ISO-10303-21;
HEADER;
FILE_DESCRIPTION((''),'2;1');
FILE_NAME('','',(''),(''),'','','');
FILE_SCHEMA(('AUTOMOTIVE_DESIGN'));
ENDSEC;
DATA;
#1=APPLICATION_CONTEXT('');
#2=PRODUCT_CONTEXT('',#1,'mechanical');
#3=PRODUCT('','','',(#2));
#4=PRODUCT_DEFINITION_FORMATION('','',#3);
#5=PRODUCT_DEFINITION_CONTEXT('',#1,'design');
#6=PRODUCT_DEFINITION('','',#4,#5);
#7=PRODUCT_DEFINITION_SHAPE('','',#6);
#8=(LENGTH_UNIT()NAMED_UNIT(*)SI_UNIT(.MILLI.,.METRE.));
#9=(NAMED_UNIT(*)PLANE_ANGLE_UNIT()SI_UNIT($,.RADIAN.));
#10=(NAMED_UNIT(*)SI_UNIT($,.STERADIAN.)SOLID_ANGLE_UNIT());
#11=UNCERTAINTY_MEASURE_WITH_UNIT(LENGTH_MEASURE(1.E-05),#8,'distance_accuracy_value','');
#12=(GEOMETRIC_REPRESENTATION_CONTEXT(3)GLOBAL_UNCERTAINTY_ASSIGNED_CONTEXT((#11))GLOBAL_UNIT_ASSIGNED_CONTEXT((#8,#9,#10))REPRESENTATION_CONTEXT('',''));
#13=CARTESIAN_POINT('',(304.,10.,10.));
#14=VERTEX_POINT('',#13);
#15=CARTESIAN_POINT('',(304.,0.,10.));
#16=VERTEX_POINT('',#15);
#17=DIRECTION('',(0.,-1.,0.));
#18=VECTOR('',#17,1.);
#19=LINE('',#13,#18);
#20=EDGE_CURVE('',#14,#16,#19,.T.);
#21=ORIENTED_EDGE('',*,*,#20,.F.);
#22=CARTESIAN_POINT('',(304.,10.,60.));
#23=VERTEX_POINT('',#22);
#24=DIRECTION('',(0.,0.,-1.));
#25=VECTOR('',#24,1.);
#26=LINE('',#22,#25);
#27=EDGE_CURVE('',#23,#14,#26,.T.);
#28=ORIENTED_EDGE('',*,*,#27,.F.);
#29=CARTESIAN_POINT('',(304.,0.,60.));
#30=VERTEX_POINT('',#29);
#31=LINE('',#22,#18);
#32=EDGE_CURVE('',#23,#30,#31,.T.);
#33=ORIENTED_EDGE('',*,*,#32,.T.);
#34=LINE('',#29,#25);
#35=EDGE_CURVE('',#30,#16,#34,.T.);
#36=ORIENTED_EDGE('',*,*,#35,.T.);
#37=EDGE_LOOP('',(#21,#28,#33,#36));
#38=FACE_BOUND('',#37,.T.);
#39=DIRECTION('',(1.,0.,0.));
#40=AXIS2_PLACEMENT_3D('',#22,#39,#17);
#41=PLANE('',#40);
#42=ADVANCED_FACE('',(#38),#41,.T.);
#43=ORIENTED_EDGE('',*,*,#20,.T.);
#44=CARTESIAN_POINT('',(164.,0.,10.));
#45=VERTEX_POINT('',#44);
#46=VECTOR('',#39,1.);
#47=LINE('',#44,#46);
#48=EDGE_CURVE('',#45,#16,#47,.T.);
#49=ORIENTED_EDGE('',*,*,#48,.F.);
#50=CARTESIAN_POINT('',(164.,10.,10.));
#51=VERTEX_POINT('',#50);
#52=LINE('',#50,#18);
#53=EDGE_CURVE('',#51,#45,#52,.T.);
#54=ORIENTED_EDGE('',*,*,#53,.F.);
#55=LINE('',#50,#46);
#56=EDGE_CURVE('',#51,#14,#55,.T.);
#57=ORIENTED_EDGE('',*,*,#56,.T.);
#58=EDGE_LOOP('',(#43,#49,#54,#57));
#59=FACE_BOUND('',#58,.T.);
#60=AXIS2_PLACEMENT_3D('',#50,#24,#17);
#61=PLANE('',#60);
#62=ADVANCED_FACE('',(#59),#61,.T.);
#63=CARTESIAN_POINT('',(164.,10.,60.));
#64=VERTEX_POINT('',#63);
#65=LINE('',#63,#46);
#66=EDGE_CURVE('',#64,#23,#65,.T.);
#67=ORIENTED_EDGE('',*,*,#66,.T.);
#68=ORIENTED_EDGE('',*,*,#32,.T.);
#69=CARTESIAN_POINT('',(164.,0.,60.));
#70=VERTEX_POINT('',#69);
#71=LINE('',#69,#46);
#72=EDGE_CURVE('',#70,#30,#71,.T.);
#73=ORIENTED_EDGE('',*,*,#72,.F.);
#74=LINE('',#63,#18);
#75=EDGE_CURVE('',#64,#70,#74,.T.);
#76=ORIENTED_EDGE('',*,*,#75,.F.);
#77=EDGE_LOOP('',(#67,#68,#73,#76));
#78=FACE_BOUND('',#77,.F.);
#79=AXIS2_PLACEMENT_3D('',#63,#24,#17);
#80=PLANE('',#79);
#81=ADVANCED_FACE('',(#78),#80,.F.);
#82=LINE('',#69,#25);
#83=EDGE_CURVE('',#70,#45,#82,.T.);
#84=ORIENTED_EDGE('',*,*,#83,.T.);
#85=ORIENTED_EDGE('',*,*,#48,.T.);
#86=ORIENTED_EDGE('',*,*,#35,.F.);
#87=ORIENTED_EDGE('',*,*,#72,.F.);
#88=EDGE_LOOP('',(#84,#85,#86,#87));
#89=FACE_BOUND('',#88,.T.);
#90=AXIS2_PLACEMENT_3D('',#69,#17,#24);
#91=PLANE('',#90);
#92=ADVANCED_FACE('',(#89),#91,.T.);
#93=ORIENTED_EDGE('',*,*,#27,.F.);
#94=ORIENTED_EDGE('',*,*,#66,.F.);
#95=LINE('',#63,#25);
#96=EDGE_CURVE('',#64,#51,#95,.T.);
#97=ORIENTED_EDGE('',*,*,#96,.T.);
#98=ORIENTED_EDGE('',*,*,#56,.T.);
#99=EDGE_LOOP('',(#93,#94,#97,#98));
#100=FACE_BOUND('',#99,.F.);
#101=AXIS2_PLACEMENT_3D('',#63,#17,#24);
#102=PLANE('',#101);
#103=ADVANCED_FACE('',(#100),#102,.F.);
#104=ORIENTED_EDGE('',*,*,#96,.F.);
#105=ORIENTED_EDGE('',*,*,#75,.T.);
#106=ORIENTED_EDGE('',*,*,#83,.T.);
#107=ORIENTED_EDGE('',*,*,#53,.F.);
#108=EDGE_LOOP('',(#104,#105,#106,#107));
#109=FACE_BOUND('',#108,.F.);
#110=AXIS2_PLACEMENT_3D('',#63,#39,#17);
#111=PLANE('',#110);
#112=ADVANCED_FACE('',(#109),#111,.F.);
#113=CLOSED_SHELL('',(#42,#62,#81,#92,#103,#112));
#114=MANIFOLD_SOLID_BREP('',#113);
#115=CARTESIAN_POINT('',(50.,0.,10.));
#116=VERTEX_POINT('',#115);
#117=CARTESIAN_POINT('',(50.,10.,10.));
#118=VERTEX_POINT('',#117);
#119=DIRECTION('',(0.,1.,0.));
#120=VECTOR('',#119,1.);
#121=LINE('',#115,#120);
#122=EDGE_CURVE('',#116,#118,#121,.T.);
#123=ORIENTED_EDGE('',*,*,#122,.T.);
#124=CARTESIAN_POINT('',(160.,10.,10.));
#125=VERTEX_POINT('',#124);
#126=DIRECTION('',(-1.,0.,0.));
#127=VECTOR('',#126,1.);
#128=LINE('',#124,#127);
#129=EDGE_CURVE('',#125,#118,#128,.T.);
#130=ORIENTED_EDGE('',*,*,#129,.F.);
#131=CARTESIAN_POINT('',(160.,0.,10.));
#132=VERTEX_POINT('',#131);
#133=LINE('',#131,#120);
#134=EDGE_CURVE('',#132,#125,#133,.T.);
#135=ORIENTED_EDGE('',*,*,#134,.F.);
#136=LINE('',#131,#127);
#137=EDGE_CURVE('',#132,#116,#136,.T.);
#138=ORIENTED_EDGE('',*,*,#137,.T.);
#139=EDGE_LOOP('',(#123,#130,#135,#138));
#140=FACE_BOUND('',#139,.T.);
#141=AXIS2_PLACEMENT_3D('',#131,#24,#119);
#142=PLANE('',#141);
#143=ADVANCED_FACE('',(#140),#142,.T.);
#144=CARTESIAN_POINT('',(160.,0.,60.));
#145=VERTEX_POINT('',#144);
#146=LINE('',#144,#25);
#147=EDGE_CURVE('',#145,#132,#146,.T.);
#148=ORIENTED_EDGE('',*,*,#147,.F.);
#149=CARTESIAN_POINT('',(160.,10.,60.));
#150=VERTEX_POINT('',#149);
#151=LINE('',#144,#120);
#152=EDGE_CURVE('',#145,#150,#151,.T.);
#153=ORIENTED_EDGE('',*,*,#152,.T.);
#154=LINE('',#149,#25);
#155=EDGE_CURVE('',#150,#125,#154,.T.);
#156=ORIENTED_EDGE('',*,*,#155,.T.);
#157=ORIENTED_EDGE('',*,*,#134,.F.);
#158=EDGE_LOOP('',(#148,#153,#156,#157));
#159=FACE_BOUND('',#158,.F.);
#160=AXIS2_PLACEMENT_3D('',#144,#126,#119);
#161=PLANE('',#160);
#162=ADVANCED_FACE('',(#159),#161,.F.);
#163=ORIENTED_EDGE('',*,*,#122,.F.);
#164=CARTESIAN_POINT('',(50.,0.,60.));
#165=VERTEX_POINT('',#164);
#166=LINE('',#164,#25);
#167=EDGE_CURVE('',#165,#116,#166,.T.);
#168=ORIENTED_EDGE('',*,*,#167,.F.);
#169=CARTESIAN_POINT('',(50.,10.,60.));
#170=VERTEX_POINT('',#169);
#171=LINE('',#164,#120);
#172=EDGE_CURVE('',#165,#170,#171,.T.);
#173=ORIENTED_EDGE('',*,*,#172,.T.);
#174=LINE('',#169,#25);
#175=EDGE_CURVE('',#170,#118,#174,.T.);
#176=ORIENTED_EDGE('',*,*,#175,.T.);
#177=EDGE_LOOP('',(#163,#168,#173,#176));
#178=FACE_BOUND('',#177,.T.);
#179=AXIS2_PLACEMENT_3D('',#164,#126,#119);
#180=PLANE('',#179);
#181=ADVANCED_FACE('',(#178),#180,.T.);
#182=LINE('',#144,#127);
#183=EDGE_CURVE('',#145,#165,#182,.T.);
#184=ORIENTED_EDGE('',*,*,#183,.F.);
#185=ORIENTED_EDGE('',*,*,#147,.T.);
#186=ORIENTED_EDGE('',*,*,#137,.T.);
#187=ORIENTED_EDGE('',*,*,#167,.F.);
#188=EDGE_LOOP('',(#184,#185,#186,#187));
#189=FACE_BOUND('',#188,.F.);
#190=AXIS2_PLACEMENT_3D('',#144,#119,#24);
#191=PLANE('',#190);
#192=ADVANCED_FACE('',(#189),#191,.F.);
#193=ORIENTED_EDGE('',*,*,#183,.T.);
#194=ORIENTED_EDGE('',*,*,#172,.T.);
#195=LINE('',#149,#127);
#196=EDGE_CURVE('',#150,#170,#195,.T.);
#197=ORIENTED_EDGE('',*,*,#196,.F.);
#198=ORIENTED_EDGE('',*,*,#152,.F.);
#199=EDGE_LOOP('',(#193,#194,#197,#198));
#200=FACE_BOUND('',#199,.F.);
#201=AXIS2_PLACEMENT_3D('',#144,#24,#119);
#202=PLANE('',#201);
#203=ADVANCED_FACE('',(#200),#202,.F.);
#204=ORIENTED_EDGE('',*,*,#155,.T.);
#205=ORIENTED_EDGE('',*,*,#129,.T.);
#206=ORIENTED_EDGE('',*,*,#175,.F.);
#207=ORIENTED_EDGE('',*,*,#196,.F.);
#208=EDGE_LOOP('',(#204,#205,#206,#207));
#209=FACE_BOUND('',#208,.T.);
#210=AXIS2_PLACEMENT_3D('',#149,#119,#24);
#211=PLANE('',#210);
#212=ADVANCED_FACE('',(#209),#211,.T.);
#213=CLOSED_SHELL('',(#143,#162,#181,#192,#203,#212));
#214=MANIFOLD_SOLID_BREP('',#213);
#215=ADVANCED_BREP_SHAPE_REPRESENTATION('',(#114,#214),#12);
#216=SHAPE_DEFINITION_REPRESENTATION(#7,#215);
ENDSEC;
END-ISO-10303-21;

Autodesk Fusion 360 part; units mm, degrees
box "BoxPrimitive1" add length 50 width 110 height 10 placed x (0, 0, -1) y (-1, 0, 0) z (0, 1, 0) at (160, 0, 60) makes body 1
box "BoxPrimitive1'" add length 50 width 140 height 10 placed x (0, 0, -1) y (-1, 0, 0) z (0, 1, 0) at (350, 0, 50) separate body makes body 2 in component "Component"
component "Component" placed x (-1, 0, 0) y (0, -1, 0) z (0, 0, 1) at (514, 10, 10)
